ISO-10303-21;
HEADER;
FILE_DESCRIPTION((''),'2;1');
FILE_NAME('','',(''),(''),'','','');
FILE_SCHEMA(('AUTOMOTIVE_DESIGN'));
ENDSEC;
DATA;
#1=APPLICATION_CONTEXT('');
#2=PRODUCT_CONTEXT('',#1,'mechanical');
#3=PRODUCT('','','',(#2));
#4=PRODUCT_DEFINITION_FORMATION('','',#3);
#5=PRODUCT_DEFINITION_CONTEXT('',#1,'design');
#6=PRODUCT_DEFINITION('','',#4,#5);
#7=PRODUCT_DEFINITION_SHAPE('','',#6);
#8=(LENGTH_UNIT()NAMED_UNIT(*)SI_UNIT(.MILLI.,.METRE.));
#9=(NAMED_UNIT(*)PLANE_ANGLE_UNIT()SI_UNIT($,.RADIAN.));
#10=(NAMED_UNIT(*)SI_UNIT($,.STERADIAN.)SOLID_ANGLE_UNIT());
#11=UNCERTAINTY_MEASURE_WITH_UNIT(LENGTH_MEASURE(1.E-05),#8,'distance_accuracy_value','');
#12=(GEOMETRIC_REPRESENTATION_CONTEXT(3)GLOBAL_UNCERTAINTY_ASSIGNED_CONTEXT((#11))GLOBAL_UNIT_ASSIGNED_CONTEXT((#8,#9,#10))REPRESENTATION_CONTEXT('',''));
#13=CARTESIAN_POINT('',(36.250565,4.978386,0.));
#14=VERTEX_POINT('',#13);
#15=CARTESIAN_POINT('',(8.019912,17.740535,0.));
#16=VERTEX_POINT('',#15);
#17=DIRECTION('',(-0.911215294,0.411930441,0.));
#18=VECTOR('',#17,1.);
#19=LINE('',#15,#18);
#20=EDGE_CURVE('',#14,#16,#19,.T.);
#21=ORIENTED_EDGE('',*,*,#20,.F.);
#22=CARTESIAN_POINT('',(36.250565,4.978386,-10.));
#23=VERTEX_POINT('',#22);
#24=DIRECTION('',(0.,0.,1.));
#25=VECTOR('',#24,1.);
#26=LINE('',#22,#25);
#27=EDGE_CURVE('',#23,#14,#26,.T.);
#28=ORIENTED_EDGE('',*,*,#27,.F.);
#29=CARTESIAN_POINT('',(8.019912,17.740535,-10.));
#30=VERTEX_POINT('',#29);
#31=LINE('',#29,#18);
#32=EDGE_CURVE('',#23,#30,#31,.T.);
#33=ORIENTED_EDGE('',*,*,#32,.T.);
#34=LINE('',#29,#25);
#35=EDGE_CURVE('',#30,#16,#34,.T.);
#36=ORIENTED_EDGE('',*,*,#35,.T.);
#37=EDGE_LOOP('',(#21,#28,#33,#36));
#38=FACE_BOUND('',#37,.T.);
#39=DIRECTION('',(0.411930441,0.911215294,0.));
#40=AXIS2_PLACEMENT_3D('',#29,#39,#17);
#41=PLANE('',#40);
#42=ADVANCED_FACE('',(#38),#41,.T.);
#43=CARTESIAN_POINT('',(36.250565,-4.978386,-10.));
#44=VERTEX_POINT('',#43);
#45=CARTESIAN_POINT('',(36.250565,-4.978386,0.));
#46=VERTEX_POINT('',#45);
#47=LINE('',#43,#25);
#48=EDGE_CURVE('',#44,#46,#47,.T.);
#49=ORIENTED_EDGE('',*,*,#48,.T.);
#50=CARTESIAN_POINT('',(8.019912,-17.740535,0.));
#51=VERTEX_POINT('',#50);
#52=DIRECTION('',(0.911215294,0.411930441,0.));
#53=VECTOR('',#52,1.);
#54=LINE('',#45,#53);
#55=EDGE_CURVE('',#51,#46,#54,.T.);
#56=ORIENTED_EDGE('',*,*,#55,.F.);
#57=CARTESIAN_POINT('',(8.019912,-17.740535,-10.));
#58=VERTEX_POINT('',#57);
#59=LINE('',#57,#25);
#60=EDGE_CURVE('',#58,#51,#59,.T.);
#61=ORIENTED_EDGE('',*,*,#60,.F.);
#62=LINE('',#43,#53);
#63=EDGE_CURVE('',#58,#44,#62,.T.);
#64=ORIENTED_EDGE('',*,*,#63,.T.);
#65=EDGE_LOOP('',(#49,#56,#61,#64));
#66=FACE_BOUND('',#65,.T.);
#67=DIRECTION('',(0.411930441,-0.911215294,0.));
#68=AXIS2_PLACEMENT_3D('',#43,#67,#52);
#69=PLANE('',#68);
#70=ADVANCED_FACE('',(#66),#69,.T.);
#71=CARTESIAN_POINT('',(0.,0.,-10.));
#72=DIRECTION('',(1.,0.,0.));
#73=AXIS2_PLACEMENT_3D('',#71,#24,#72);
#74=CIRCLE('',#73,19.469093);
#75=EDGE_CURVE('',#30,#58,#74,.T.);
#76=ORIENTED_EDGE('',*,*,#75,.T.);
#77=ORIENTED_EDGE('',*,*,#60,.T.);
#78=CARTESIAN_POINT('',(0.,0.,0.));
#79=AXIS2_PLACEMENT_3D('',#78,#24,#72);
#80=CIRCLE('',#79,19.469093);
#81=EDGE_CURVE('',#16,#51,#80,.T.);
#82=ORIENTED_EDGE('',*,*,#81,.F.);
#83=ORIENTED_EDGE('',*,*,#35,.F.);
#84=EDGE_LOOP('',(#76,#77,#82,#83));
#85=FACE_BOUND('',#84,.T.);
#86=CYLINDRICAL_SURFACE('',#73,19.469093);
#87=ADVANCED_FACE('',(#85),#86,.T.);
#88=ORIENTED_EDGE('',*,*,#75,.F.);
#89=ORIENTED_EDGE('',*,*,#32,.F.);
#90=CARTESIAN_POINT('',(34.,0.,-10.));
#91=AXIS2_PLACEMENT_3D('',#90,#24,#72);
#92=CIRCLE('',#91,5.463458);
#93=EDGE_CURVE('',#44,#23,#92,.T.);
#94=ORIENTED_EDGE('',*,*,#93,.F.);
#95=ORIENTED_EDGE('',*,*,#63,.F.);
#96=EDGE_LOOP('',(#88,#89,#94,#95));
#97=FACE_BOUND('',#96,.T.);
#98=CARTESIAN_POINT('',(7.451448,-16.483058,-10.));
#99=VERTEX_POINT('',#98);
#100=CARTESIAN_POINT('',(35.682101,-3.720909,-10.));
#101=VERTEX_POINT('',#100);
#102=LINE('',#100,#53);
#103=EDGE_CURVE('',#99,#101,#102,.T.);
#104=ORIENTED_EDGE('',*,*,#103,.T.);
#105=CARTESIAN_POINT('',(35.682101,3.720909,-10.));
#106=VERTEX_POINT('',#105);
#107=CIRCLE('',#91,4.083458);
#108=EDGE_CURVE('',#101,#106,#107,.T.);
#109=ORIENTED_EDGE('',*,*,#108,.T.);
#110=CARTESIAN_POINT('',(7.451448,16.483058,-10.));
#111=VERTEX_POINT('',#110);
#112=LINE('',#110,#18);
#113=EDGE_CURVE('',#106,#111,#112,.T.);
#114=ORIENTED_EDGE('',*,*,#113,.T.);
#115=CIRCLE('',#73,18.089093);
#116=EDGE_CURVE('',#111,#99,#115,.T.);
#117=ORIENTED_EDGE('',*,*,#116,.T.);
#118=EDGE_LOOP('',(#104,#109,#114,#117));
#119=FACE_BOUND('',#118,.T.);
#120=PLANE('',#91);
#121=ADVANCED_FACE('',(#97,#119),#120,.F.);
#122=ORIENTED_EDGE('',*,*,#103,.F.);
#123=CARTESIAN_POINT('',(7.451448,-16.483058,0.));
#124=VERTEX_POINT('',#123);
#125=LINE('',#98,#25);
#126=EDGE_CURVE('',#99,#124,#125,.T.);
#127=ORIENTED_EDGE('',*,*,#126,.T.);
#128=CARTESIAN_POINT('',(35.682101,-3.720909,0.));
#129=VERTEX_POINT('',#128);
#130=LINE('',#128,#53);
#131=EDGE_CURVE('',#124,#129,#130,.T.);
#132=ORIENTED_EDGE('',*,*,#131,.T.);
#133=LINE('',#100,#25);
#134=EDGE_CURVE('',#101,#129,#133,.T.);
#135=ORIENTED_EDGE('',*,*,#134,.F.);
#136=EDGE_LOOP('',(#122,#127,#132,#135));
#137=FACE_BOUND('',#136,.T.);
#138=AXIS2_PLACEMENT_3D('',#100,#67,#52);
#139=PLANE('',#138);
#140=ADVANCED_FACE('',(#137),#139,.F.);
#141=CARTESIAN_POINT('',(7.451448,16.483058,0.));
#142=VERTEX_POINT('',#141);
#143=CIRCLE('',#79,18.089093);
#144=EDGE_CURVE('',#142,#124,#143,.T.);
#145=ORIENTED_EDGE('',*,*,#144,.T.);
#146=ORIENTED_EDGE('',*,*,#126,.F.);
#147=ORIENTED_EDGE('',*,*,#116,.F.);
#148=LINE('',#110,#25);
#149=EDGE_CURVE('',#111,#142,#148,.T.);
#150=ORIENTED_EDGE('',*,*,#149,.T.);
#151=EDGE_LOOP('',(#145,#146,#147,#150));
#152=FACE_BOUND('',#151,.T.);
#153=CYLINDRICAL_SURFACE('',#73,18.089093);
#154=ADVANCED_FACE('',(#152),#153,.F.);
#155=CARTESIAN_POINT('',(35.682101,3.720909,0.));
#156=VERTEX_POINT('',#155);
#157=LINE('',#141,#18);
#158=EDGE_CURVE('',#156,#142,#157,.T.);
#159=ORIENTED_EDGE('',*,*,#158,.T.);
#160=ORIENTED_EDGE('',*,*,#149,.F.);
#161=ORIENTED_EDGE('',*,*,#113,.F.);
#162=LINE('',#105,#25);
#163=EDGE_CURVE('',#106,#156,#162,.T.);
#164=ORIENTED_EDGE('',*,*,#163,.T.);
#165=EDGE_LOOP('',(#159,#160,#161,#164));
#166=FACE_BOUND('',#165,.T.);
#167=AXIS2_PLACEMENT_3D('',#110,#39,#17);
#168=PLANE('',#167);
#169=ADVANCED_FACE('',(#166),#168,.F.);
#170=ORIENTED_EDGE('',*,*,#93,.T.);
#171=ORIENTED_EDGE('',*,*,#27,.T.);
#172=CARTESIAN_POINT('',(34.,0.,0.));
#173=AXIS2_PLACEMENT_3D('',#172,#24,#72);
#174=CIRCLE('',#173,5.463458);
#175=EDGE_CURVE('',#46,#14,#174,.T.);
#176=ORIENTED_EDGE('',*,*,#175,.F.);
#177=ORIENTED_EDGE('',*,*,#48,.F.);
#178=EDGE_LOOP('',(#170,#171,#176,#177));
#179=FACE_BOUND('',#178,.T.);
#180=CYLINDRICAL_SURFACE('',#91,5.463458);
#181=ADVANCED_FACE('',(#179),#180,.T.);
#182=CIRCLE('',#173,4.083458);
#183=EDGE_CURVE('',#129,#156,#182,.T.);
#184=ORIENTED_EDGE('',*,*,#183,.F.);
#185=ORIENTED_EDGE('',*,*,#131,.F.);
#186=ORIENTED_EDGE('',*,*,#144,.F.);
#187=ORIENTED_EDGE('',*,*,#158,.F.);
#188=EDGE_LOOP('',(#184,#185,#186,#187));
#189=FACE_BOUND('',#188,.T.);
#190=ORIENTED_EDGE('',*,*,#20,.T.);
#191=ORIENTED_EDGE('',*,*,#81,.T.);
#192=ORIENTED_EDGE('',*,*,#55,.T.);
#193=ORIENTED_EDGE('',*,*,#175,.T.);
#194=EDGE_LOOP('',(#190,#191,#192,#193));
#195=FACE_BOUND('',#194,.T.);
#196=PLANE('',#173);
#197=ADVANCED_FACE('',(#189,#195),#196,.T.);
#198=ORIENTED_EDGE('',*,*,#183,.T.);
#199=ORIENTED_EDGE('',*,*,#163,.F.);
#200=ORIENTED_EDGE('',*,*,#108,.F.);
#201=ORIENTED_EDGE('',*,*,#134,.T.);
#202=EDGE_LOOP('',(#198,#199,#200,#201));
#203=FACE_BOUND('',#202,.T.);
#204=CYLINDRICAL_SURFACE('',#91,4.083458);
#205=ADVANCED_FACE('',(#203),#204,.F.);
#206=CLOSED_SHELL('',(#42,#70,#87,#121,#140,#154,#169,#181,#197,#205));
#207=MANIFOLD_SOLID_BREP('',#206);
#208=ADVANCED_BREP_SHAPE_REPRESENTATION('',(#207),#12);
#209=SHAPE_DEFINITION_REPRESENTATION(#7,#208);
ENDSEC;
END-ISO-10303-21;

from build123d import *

# Parameters (mm, degrees)
EXTRUDE_1_DEPTH = 10


with BuildPart() as part:
    # Эскиз1 → Бобышка-Вытянуть1 (new body)
    with BuildSketch(Plane.XY):
        with BuildLine():
            Line((8.019912069, 17.740535298), (36.250564664, 4.978386487))
            ThreePointArc((36.250564664, 4.978386487), (39.463458, 0), (36.250564664, -4.978386487))
            Line((36.250564664, -4.978386487), (8.019912069, -17.740535298))
            ThreePointArc((8.019912069, -17.740535298), (-19.469093, 0), (8.019912069, 17.740535298))
        make_face()
        with BuildLine():
            Line((35.682100655, -3.720909381), (7.45144806, -16.483058192))
            ThreePointArc((7.45144806, -16.483058192), (-18.089093, 0), (7.45144806, 16.483058192))
            Line((7.45144806, 16.483058192), (35.682100655, 3.720909381))
            ThreePointArc((35.682100655, 3.720909381), (38.083458, 0), (35.682100655, -3.720909381))
        make_face(mode=Mode.SUBTRACT)
    extrude(amount=-EXTRUDE_1_DEPTH)


solid = part.part
